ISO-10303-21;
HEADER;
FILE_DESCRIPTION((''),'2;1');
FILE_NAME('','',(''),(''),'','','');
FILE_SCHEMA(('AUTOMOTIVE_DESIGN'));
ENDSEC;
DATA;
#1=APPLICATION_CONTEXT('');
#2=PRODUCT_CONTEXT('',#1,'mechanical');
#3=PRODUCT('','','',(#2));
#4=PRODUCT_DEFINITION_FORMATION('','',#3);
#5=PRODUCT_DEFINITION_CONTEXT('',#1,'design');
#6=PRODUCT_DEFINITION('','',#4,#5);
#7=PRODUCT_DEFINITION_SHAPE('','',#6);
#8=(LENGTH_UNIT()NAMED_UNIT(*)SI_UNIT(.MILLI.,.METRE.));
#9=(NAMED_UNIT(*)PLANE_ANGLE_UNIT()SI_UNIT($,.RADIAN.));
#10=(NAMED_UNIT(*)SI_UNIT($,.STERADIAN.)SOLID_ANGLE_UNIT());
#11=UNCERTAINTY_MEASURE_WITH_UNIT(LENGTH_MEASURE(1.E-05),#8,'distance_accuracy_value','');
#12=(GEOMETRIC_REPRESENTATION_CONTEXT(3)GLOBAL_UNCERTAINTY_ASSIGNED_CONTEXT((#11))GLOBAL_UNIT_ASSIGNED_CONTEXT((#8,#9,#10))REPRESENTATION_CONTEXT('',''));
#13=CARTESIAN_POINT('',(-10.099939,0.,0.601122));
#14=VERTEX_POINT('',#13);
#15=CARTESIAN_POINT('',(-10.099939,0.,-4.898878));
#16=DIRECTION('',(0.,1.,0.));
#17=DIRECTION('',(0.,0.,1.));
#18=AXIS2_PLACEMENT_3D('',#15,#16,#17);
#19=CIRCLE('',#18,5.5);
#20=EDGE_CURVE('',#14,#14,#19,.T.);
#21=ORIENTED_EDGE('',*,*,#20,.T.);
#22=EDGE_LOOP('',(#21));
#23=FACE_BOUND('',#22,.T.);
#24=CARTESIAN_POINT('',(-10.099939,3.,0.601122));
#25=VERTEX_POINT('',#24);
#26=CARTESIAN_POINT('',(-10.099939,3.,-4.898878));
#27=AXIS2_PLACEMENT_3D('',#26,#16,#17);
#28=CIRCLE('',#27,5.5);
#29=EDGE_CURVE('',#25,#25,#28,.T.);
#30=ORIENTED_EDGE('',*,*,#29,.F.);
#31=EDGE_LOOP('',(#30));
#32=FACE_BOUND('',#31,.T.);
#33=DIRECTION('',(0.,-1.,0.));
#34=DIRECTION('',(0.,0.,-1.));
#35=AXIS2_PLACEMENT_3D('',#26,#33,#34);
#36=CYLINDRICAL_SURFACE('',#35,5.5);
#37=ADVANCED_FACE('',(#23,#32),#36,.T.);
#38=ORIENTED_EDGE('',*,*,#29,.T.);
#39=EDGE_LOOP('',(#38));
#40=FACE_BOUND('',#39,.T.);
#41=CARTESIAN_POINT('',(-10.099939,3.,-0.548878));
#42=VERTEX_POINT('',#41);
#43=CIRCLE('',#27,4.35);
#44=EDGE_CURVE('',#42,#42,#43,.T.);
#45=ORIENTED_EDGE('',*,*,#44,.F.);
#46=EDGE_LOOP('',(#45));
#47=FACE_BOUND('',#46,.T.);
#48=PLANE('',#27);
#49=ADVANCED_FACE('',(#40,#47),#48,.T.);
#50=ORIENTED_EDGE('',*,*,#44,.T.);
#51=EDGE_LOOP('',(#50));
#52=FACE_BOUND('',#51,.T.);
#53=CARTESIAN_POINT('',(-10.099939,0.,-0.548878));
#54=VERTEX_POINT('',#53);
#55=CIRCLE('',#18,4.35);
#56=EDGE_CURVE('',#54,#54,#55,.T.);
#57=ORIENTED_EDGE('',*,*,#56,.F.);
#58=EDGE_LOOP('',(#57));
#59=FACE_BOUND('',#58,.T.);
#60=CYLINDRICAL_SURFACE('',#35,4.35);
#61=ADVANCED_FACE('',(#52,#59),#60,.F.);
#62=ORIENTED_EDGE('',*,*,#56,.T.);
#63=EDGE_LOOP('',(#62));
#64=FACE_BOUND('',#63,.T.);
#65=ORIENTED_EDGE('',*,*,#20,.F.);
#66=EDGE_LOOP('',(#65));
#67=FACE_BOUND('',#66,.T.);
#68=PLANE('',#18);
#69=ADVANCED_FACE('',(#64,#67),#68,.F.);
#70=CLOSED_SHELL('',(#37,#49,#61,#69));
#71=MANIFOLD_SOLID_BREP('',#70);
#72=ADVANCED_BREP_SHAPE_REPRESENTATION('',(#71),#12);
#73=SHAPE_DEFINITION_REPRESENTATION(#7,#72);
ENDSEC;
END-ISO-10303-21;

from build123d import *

# Parameters (mm, degrees)
SKETCH_1_R      = 5.5
SKETCH_1_R_2    = 4.35
EXTRUDE_1_DEPTH = 3


with BuildPart() as part:
    # 草图1 → 凸台-拉伸1 (new body)
    with BuildSketch(Plane(origin=(0, 0, 0), x_dir=(1, 0, 0), z_dir=(0, 1, 0))):
        with Locations((-10.099938602, 4.898877949)):
            Circle(SKETCH_1_R)
        with Locations((-10.099938602, 4.898877949)):
            Circle(SKETCH_1_R_2, mode=Mode.SUBTRACT)
    extrude(amount=EXTRUDE_1_DEPTH)


solid = part.part
